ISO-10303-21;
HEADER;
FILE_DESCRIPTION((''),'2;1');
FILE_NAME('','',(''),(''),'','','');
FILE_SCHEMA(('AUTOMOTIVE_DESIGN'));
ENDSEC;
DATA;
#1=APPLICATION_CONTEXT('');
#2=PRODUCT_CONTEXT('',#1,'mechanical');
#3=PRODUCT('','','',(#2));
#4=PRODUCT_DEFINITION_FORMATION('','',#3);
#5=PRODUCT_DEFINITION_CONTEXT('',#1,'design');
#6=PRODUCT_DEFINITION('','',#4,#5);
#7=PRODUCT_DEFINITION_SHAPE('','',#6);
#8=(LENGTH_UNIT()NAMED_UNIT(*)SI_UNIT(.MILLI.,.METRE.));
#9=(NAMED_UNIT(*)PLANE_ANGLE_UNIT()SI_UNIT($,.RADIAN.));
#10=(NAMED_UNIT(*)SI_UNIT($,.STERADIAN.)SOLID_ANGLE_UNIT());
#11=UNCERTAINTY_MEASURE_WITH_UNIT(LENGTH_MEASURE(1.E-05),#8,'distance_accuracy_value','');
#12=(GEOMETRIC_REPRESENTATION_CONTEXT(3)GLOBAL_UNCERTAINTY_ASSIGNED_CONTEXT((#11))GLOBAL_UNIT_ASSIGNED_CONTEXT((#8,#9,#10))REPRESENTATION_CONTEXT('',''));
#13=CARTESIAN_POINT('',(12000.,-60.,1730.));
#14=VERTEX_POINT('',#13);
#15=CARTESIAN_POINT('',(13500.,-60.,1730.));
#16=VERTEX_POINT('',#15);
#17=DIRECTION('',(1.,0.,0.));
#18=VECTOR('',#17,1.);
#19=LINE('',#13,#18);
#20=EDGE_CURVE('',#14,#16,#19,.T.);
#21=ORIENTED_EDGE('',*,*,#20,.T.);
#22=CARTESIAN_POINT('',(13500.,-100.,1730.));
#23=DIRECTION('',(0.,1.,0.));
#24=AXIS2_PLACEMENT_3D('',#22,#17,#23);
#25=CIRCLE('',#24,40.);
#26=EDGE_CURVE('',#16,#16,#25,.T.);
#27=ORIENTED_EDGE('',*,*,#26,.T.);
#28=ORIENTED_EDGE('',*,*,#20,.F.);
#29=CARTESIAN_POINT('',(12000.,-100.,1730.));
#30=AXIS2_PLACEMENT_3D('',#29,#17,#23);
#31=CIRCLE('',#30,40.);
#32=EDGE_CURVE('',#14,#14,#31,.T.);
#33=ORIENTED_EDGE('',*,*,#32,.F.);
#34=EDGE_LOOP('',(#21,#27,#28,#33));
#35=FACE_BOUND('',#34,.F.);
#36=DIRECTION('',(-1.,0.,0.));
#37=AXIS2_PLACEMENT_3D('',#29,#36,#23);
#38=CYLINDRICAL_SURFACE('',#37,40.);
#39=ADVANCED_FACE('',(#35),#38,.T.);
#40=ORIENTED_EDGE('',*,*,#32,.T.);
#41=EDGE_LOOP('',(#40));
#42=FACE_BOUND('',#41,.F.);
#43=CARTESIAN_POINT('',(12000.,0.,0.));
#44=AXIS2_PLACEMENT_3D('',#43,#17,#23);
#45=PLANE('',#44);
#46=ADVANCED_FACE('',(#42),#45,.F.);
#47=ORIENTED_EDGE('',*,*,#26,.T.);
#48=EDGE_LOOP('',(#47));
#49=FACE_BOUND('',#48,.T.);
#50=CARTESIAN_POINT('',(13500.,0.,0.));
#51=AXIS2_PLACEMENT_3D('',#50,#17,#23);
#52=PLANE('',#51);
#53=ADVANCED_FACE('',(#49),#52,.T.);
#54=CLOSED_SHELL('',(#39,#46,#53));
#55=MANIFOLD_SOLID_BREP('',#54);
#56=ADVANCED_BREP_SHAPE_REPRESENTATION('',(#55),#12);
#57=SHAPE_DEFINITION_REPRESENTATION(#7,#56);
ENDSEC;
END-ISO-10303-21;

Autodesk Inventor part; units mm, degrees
ref_plane "XZ Plane" through (0, 0, 0) normal (0, 1, 0) x (-1, 0, 0)
ref_plane "XY Plane" through (0, 0, 0) normal (0, 0, 1) x (1, 0, 0)
ref_plane "作業平面1" through (12000, 0, 0) normal (1, 0, 0) x (0, 1, 0)
sketch "スケッチ13" plane through (12000, 0, 0) normal (1, 0, 0) x (0, 1, 0)
  circle A0 centre (-100, 530) radius 40
  point P0 (0, 0)
  dimension "d84" = 80
  dimension "d85" = 100
  dimension "d86" = 530
extrude "押し出し12" [suppressed]
sketch "スケッチ14" plane through (12000, 0, 0) normal (1, 0, 0) x (0, 1, 0)
  circle A0 centre (-100, 830) radius 40
  point P0 (0, 0)
  dimension "d89" = 80
  dimension "d90" = 100
  dimension "d91" = 830
extrude "押し出し13" [suppressed]
sketch "スケッチ15" plane through (12000, 0, 0) normal (1, 0, 0) x (0, 1, 0)
  circle A0 centre (-100, 1130) radius 40
  point P0 (0, 0)
  dimension "d94" = 80
  dimension "d95" = 100
  dimension "d96" = 1130
extrude "押し出し14" [suppressed]
sketch "スケッチ16" plane through (12000, 0, 0) normal (1, 0, 0) x (0, 1, 0)
  circle A0 centre (-100, 1430) radius 40
  point P0 (0, 0)
  dimension "d99" = 80
  dimension "d100" = 100
  dimension "d101" = 1430
extrude "押し出し15" [suppressed]
sketch "スケッチ17" plane through (12000, 0, 0) normal (1, 0, 0) x (0, 1, 0)
  circle A0 centre (-100, 1730) radius 40
  point P0 (0, 0)
  dimension "d104" = 80
  dimension "d105" = 100
  dimension "d106" = 1730
extrude "押し出し16" add sketch "スケッチ17" along normal blind 1500
properties part number "Bar1"
